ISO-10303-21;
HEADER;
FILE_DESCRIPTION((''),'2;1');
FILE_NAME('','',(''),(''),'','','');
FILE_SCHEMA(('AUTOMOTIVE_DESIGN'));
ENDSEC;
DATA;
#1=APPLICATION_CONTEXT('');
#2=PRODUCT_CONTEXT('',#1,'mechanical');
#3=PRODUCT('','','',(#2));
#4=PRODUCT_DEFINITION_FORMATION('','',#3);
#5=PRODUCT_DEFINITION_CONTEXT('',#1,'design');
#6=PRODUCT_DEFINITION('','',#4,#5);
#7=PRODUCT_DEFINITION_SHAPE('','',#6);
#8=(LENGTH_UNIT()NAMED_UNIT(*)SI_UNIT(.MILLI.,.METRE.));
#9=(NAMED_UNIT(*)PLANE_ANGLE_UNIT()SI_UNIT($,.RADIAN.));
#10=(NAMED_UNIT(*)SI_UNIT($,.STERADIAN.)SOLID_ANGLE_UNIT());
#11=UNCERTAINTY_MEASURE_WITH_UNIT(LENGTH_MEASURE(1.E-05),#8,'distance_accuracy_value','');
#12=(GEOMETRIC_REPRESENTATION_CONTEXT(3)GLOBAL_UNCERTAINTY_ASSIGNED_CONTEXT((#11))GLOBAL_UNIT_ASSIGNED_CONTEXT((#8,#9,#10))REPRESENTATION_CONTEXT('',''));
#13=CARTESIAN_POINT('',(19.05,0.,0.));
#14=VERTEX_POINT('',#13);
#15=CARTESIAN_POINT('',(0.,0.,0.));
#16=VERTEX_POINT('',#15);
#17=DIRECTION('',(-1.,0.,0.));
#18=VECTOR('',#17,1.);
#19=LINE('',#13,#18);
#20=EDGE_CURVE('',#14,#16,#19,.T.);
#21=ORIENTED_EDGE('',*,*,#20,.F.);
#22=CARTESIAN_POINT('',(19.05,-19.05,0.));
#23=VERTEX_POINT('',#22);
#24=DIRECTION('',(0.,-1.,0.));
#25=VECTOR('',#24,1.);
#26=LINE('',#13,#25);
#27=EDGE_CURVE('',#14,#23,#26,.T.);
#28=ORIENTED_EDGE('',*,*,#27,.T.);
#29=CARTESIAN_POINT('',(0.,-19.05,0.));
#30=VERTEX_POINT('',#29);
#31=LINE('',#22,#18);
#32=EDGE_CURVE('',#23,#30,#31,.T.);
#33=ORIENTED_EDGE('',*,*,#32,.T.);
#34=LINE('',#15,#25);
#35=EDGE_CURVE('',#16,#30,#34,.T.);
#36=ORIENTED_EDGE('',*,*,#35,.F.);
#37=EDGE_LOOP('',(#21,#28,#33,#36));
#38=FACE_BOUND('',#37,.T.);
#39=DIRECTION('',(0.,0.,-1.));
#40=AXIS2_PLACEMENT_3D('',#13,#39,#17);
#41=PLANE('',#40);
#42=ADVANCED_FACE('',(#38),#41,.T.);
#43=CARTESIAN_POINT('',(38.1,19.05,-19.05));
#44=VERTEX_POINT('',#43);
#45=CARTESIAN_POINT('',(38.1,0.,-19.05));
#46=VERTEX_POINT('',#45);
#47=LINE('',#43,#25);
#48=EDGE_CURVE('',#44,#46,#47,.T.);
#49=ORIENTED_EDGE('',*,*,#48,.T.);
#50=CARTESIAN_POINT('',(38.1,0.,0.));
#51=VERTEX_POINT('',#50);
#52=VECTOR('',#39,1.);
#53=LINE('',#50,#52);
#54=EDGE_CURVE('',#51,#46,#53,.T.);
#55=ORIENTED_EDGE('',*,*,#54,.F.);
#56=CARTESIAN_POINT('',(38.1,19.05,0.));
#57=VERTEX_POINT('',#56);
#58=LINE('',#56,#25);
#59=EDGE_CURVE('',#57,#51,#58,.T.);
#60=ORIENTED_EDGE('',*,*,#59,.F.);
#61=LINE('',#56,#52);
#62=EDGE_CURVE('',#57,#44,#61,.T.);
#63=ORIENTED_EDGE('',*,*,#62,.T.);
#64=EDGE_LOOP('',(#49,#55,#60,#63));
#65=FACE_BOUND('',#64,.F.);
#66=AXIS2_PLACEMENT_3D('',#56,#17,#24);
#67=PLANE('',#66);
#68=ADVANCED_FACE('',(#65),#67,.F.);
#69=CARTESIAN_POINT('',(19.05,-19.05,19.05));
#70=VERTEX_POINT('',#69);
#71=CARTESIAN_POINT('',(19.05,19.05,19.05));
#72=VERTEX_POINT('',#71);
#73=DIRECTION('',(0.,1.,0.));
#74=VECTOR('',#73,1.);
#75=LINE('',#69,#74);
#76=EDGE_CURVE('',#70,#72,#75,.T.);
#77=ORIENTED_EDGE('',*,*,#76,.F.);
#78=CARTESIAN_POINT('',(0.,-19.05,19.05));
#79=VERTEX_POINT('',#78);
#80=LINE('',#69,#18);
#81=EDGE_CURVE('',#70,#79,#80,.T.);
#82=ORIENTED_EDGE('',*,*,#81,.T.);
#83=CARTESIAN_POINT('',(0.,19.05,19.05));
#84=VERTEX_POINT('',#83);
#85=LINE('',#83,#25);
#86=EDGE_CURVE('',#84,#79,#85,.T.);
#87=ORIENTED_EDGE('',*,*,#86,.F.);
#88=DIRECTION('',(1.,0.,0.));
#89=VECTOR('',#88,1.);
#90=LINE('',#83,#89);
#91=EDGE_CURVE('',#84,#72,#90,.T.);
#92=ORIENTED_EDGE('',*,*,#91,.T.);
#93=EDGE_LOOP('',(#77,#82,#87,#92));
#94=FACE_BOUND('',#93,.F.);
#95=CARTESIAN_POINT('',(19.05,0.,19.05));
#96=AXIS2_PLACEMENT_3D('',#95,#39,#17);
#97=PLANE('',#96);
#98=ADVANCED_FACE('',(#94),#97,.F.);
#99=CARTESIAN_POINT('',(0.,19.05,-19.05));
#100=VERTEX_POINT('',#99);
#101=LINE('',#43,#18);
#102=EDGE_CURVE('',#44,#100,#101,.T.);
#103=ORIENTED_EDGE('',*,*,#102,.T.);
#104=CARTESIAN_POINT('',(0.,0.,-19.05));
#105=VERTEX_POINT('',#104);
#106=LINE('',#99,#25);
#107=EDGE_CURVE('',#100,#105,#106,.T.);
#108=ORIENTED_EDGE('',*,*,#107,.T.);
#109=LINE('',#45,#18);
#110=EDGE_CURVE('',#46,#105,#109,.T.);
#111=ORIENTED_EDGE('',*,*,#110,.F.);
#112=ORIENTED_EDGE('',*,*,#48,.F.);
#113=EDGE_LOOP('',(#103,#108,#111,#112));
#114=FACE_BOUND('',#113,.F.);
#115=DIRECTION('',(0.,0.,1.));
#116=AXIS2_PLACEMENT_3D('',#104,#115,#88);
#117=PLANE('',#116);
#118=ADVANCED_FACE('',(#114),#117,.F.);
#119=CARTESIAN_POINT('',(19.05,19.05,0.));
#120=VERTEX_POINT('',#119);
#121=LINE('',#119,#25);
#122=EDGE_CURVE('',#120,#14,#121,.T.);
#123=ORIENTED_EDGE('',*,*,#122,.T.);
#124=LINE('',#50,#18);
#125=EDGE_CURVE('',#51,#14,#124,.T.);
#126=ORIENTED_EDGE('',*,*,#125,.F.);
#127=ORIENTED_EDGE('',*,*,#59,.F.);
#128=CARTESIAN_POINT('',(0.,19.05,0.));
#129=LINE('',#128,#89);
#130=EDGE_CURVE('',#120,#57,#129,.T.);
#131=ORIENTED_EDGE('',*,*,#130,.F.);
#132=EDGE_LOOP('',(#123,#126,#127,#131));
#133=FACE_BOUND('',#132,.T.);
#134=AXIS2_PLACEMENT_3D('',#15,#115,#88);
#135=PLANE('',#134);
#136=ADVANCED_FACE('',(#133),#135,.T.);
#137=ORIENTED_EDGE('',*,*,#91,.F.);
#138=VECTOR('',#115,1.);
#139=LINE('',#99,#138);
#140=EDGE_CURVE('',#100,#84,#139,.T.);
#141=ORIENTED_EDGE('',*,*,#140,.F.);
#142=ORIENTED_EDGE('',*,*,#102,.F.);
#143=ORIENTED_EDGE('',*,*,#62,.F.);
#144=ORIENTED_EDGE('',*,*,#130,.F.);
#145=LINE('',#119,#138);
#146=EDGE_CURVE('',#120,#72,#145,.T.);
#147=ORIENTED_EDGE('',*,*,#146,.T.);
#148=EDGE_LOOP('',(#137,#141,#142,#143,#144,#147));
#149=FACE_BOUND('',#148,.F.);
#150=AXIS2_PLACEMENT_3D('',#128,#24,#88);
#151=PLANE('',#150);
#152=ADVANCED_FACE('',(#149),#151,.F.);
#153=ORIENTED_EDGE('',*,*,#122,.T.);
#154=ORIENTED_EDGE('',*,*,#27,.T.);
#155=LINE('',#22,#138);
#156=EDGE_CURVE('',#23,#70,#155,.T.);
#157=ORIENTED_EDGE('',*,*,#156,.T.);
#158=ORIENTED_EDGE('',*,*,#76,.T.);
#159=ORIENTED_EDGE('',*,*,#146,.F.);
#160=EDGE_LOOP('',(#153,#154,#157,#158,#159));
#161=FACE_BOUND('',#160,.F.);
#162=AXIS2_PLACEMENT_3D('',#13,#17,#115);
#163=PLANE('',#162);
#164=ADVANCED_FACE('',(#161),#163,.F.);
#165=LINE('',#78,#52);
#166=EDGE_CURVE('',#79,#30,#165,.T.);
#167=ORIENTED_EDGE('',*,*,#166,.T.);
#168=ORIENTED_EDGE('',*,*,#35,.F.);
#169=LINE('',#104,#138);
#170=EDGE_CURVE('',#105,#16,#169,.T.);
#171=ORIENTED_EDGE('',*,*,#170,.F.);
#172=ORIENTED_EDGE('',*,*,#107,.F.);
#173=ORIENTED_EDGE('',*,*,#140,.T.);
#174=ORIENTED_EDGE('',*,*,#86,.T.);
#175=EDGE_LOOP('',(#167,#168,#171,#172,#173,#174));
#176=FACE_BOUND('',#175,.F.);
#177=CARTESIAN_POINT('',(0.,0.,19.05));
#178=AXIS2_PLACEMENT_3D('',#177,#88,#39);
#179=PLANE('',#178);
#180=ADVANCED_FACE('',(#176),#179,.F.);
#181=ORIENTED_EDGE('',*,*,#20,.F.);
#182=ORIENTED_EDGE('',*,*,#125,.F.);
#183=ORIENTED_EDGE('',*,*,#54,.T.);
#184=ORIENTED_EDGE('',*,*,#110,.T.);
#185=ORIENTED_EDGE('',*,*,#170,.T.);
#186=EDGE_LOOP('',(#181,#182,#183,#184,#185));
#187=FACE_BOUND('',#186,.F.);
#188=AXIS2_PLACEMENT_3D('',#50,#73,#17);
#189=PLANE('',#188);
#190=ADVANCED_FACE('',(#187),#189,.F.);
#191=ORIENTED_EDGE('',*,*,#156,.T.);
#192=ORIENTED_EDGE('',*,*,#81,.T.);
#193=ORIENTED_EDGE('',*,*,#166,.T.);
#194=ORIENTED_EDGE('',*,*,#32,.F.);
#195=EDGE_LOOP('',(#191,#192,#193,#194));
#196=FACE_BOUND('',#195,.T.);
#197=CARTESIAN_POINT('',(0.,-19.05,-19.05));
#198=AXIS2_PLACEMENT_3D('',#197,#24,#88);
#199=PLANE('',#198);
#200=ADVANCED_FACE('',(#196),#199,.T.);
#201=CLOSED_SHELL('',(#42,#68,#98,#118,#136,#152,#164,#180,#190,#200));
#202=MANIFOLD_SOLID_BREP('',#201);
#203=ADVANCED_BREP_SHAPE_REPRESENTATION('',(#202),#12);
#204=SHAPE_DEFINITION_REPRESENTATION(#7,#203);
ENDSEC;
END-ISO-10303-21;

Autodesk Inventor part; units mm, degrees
ref_plane "YZ Plane" through (0, 0, 0) normal (1, 0, 0) x (0, 1, 0)
ref_plane "XZ Plane" through (0, 0, 0) normal (0, 1, 0) x (-1, 0, 0)
ref_plane "XY Plane" through (0, 0, 0) normal (0, 0, 1) x (1, 0, 0)
sketch "Sketch1" plane through (0, 0, 0) normal (0, 0, 1) x (1, 0, 0)
  line L0 (0, 19.05) -> (0, 0)
  line L1 (0, 19.05) -> (38.1, 19.05)
  line L2 (38.1, 19.05) -> (38.1, 0)
  line L3 (38.1, 0) -> (0, 0)
  line L4 (0, 19.05) -> (19.05, 19.05)
  dimension "d0" = 19.05
  dimension "d1" = 38.1
extrude "Extrusion1" add sketch "Sketch1" against normal blind 19.05
sketch "Sketch2" plane through (0, 0, -19.05) normal (0, 0, -1) x (-1, 0, 0)
  line L0 (0, 19.05) -> (-38.1, 19.05) projected
  line L1 (-19.05, 19.05) -> (-19.05, 0)
  line L2 (-38.1, 0) -> (0, 0) projected
  line L3 (-38.1, 19.05) -> (-38.1, 0) projected
  line L4 (-38.1, 19.05) -> (-38.1, 0)
  line L5 (0, 0) -> (0, 19.05) projected
  line L6 (-38.1, 0) -> (0, 0)
  line L7 (-38.1, 19.05) -> (0, 19.05)
  line L8 (0, 19.05) -> (0, 0)
sketch "Sketch3" plane through (0, 0, 0) normal (0, 0, 1) x (1, 0, 0)
  line L0 (0, 0) -> (0, 19.05) projected
  line L1 (0, 19.084) -> (0, 0)
  line L2 (0, 0) -> (19.05, 0)
  line L3 (38.1, 0) -> (0, 0) projected
  line L4 (0, 19.05) -> (38.1, 19.05) projected
  line L5 (19.05, 19.05) -> (19.05, 0)
  line L6 (0, 19.05) -> (19.05, 19.05)
extrude "Extrusion2" add sketch "Sketch3" along normal blind 19.05
sketch "Sketch4" plane through (0, 0, -19.05) normal (0, -1, 0) x (1, 0, 0)
  line L0 (0, 38.1) -> (0, 0) projected
  line L1 (0, 19.05) -> (0, 38.1)
  line L2 (19.05, 38.1) -> (0, 38.1) projected
  line L3 (0, 38.1) -> (19.05, 38.1)
  line L4 (19.05, 19.05) -> (19.05, 38.1) projected
  line L5 (19.05, 38.1) -> (19.05, 19.05)
  line L6 (19.05, 19.05) -> (0, 19.05)
extrude "Extrusion3" add sketch "Sketch4" along normal blind 19.05
equation "\"d4\" = cube"
equation "\"d6\" = cube"
equation "\"BendRadius\" = Thickness"
equation "\"BendReliefWidth\" = Thickness"
equation "\"BendReliefDepth\" = 0.5 * Thickness"
equation "\"CornerReliefSize\" = 4 * Thickness"
equation "\"MinimumRemnant\" = 2 * Thickness"
equation "\"TransitionRadius\" = BendRadius"
equation "\"JacobiRadiusSize\" = BendRadius"
equation "\"GapSize\" = Thickness"
equation "\"cube\" = 19.05"
equation "\"Thickness\" = 3.048"
properties part number "IED7_Sun_PuzzleCubePink"
